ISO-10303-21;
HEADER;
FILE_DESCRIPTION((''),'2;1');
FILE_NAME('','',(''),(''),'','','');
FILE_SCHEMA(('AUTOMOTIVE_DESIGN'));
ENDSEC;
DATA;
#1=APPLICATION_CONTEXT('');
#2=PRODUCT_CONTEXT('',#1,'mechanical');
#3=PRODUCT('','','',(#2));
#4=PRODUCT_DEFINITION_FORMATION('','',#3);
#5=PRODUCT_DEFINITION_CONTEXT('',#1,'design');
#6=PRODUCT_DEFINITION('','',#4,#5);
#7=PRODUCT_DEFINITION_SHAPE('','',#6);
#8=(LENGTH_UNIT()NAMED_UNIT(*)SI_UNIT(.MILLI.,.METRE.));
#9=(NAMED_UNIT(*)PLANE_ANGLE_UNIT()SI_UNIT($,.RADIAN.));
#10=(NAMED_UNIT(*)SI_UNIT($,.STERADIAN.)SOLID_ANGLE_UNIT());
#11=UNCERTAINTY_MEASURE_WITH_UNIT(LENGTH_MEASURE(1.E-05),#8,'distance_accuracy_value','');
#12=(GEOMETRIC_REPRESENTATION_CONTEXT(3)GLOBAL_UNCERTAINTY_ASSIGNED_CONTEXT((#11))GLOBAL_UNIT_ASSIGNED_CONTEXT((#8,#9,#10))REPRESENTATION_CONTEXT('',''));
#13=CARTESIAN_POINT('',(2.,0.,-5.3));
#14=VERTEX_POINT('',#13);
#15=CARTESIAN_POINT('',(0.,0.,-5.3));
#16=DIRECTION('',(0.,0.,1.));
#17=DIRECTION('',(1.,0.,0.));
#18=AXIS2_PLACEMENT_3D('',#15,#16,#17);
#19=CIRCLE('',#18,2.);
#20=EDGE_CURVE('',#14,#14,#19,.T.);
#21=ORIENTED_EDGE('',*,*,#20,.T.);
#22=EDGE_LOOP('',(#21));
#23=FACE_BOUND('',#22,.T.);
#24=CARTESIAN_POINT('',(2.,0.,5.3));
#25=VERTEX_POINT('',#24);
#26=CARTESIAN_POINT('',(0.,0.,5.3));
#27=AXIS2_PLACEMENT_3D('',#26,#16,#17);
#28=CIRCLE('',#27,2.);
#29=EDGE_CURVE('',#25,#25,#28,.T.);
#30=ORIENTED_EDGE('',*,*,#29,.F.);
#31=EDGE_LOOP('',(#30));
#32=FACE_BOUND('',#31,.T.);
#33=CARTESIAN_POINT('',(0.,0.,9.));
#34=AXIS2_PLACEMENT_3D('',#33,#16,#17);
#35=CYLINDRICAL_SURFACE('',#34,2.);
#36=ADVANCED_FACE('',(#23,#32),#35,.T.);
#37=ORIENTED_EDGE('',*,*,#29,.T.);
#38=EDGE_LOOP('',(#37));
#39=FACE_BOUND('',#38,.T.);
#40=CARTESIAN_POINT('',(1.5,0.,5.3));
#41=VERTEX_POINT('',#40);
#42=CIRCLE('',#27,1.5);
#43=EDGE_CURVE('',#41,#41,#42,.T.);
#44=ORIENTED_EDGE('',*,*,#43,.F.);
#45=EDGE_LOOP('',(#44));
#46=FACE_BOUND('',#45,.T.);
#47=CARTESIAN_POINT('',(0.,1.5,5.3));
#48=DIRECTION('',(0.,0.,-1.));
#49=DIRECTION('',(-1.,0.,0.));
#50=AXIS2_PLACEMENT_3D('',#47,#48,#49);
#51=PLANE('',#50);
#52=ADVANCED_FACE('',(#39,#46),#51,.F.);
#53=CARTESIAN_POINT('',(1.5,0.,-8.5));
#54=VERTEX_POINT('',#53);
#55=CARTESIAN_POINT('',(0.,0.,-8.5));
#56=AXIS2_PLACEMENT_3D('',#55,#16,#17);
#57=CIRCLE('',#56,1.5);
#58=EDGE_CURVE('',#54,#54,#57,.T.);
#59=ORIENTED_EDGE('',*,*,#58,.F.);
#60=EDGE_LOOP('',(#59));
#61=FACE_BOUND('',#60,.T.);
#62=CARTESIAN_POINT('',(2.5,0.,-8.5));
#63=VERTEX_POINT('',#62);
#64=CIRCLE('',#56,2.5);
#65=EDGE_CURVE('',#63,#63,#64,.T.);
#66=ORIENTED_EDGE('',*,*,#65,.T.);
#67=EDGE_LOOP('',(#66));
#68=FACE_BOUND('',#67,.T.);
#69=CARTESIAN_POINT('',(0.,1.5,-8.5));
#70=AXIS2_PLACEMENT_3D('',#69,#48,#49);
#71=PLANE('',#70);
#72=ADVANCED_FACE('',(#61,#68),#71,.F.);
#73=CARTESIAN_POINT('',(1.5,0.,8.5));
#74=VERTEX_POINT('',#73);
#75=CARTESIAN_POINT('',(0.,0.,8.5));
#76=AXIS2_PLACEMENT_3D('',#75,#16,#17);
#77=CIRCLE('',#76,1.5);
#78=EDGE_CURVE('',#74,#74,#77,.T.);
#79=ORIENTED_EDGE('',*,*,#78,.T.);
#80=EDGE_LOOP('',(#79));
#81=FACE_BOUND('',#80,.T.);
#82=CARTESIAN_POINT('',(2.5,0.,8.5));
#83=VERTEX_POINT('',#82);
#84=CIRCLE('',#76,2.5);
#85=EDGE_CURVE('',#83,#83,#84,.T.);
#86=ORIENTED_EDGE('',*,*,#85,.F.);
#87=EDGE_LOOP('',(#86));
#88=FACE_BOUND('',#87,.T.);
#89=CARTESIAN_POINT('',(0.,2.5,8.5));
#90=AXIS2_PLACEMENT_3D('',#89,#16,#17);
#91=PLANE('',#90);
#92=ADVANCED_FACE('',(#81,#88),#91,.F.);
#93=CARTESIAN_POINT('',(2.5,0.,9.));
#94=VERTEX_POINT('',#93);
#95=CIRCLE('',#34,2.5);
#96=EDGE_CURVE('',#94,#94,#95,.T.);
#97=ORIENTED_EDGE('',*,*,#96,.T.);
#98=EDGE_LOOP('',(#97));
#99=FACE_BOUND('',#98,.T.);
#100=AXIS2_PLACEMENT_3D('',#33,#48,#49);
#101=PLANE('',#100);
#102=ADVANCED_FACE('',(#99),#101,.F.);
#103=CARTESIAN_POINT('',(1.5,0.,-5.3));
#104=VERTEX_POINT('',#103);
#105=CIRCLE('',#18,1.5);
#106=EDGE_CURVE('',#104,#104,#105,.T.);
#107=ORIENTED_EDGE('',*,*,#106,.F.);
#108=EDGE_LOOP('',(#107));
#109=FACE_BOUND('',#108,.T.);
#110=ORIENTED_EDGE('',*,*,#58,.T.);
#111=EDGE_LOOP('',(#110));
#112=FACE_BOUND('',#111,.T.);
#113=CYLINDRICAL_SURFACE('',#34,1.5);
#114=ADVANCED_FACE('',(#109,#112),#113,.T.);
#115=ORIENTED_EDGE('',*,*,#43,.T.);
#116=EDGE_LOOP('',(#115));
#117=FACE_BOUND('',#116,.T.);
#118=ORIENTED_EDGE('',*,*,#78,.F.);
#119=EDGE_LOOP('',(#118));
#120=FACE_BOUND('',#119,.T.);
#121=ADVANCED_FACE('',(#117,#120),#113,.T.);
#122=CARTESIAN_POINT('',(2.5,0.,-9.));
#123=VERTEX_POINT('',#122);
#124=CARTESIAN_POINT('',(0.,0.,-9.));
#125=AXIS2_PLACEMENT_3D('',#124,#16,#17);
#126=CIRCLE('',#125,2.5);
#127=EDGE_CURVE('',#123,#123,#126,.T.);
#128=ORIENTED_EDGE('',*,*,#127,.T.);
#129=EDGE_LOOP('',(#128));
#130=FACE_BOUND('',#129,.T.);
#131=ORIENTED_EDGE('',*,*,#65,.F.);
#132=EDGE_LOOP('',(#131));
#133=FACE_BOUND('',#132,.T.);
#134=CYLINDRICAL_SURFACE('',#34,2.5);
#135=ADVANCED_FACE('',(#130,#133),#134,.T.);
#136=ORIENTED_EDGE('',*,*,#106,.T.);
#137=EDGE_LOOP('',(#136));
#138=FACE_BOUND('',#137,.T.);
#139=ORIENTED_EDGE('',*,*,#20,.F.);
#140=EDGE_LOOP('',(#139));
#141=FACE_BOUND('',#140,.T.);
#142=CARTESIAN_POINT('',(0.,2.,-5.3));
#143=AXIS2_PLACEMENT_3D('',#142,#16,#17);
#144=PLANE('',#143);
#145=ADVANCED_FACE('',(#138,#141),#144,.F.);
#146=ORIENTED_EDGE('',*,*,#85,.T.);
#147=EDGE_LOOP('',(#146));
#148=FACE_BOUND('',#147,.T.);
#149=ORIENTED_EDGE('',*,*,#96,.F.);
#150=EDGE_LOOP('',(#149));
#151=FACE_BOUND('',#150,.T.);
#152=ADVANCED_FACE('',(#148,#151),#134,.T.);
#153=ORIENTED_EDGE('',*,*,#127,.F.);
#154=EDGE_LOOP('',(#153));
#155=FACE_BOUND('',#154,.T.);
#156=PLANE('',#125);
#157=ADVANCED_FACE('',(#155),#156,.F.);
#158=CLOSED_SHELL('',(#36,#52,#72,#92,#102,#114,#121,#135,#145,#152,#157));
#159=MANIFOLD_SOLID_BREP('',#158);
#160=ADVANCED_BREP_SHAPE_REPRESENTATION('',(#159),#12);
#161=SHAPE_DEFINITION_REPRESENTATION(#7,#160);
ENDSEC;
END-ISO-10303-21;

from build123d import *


with BuildPart() as part:
    # Sketch1 → Revolve1 (revolve)
    with BuildSketch(Plane(origin=(0, 0, 0), x_dir=(0, 0, -1), z_dir=(1, 0, 0)), mode=Mode.PRIVATE) as revolve1_sk:
        Polygon((-9, 0), (9, 0), (9, 2.5), (8.5, 2.5), (8.5, 1.5), (5.3, 1.5), (5.3, 2), (-5.3, 2), (-5.3, 1.5), (-8.5, 1.5), (-8.5, 2.5), (-9, 2.5), align=None)
    revolve(revolve1_sk.sketch.rotate(Axis((0, 0, 9), (0, 0, -1)), 90), axis=Axis((0, 0, 9), (0, 0, -1)))


solid = part.part
